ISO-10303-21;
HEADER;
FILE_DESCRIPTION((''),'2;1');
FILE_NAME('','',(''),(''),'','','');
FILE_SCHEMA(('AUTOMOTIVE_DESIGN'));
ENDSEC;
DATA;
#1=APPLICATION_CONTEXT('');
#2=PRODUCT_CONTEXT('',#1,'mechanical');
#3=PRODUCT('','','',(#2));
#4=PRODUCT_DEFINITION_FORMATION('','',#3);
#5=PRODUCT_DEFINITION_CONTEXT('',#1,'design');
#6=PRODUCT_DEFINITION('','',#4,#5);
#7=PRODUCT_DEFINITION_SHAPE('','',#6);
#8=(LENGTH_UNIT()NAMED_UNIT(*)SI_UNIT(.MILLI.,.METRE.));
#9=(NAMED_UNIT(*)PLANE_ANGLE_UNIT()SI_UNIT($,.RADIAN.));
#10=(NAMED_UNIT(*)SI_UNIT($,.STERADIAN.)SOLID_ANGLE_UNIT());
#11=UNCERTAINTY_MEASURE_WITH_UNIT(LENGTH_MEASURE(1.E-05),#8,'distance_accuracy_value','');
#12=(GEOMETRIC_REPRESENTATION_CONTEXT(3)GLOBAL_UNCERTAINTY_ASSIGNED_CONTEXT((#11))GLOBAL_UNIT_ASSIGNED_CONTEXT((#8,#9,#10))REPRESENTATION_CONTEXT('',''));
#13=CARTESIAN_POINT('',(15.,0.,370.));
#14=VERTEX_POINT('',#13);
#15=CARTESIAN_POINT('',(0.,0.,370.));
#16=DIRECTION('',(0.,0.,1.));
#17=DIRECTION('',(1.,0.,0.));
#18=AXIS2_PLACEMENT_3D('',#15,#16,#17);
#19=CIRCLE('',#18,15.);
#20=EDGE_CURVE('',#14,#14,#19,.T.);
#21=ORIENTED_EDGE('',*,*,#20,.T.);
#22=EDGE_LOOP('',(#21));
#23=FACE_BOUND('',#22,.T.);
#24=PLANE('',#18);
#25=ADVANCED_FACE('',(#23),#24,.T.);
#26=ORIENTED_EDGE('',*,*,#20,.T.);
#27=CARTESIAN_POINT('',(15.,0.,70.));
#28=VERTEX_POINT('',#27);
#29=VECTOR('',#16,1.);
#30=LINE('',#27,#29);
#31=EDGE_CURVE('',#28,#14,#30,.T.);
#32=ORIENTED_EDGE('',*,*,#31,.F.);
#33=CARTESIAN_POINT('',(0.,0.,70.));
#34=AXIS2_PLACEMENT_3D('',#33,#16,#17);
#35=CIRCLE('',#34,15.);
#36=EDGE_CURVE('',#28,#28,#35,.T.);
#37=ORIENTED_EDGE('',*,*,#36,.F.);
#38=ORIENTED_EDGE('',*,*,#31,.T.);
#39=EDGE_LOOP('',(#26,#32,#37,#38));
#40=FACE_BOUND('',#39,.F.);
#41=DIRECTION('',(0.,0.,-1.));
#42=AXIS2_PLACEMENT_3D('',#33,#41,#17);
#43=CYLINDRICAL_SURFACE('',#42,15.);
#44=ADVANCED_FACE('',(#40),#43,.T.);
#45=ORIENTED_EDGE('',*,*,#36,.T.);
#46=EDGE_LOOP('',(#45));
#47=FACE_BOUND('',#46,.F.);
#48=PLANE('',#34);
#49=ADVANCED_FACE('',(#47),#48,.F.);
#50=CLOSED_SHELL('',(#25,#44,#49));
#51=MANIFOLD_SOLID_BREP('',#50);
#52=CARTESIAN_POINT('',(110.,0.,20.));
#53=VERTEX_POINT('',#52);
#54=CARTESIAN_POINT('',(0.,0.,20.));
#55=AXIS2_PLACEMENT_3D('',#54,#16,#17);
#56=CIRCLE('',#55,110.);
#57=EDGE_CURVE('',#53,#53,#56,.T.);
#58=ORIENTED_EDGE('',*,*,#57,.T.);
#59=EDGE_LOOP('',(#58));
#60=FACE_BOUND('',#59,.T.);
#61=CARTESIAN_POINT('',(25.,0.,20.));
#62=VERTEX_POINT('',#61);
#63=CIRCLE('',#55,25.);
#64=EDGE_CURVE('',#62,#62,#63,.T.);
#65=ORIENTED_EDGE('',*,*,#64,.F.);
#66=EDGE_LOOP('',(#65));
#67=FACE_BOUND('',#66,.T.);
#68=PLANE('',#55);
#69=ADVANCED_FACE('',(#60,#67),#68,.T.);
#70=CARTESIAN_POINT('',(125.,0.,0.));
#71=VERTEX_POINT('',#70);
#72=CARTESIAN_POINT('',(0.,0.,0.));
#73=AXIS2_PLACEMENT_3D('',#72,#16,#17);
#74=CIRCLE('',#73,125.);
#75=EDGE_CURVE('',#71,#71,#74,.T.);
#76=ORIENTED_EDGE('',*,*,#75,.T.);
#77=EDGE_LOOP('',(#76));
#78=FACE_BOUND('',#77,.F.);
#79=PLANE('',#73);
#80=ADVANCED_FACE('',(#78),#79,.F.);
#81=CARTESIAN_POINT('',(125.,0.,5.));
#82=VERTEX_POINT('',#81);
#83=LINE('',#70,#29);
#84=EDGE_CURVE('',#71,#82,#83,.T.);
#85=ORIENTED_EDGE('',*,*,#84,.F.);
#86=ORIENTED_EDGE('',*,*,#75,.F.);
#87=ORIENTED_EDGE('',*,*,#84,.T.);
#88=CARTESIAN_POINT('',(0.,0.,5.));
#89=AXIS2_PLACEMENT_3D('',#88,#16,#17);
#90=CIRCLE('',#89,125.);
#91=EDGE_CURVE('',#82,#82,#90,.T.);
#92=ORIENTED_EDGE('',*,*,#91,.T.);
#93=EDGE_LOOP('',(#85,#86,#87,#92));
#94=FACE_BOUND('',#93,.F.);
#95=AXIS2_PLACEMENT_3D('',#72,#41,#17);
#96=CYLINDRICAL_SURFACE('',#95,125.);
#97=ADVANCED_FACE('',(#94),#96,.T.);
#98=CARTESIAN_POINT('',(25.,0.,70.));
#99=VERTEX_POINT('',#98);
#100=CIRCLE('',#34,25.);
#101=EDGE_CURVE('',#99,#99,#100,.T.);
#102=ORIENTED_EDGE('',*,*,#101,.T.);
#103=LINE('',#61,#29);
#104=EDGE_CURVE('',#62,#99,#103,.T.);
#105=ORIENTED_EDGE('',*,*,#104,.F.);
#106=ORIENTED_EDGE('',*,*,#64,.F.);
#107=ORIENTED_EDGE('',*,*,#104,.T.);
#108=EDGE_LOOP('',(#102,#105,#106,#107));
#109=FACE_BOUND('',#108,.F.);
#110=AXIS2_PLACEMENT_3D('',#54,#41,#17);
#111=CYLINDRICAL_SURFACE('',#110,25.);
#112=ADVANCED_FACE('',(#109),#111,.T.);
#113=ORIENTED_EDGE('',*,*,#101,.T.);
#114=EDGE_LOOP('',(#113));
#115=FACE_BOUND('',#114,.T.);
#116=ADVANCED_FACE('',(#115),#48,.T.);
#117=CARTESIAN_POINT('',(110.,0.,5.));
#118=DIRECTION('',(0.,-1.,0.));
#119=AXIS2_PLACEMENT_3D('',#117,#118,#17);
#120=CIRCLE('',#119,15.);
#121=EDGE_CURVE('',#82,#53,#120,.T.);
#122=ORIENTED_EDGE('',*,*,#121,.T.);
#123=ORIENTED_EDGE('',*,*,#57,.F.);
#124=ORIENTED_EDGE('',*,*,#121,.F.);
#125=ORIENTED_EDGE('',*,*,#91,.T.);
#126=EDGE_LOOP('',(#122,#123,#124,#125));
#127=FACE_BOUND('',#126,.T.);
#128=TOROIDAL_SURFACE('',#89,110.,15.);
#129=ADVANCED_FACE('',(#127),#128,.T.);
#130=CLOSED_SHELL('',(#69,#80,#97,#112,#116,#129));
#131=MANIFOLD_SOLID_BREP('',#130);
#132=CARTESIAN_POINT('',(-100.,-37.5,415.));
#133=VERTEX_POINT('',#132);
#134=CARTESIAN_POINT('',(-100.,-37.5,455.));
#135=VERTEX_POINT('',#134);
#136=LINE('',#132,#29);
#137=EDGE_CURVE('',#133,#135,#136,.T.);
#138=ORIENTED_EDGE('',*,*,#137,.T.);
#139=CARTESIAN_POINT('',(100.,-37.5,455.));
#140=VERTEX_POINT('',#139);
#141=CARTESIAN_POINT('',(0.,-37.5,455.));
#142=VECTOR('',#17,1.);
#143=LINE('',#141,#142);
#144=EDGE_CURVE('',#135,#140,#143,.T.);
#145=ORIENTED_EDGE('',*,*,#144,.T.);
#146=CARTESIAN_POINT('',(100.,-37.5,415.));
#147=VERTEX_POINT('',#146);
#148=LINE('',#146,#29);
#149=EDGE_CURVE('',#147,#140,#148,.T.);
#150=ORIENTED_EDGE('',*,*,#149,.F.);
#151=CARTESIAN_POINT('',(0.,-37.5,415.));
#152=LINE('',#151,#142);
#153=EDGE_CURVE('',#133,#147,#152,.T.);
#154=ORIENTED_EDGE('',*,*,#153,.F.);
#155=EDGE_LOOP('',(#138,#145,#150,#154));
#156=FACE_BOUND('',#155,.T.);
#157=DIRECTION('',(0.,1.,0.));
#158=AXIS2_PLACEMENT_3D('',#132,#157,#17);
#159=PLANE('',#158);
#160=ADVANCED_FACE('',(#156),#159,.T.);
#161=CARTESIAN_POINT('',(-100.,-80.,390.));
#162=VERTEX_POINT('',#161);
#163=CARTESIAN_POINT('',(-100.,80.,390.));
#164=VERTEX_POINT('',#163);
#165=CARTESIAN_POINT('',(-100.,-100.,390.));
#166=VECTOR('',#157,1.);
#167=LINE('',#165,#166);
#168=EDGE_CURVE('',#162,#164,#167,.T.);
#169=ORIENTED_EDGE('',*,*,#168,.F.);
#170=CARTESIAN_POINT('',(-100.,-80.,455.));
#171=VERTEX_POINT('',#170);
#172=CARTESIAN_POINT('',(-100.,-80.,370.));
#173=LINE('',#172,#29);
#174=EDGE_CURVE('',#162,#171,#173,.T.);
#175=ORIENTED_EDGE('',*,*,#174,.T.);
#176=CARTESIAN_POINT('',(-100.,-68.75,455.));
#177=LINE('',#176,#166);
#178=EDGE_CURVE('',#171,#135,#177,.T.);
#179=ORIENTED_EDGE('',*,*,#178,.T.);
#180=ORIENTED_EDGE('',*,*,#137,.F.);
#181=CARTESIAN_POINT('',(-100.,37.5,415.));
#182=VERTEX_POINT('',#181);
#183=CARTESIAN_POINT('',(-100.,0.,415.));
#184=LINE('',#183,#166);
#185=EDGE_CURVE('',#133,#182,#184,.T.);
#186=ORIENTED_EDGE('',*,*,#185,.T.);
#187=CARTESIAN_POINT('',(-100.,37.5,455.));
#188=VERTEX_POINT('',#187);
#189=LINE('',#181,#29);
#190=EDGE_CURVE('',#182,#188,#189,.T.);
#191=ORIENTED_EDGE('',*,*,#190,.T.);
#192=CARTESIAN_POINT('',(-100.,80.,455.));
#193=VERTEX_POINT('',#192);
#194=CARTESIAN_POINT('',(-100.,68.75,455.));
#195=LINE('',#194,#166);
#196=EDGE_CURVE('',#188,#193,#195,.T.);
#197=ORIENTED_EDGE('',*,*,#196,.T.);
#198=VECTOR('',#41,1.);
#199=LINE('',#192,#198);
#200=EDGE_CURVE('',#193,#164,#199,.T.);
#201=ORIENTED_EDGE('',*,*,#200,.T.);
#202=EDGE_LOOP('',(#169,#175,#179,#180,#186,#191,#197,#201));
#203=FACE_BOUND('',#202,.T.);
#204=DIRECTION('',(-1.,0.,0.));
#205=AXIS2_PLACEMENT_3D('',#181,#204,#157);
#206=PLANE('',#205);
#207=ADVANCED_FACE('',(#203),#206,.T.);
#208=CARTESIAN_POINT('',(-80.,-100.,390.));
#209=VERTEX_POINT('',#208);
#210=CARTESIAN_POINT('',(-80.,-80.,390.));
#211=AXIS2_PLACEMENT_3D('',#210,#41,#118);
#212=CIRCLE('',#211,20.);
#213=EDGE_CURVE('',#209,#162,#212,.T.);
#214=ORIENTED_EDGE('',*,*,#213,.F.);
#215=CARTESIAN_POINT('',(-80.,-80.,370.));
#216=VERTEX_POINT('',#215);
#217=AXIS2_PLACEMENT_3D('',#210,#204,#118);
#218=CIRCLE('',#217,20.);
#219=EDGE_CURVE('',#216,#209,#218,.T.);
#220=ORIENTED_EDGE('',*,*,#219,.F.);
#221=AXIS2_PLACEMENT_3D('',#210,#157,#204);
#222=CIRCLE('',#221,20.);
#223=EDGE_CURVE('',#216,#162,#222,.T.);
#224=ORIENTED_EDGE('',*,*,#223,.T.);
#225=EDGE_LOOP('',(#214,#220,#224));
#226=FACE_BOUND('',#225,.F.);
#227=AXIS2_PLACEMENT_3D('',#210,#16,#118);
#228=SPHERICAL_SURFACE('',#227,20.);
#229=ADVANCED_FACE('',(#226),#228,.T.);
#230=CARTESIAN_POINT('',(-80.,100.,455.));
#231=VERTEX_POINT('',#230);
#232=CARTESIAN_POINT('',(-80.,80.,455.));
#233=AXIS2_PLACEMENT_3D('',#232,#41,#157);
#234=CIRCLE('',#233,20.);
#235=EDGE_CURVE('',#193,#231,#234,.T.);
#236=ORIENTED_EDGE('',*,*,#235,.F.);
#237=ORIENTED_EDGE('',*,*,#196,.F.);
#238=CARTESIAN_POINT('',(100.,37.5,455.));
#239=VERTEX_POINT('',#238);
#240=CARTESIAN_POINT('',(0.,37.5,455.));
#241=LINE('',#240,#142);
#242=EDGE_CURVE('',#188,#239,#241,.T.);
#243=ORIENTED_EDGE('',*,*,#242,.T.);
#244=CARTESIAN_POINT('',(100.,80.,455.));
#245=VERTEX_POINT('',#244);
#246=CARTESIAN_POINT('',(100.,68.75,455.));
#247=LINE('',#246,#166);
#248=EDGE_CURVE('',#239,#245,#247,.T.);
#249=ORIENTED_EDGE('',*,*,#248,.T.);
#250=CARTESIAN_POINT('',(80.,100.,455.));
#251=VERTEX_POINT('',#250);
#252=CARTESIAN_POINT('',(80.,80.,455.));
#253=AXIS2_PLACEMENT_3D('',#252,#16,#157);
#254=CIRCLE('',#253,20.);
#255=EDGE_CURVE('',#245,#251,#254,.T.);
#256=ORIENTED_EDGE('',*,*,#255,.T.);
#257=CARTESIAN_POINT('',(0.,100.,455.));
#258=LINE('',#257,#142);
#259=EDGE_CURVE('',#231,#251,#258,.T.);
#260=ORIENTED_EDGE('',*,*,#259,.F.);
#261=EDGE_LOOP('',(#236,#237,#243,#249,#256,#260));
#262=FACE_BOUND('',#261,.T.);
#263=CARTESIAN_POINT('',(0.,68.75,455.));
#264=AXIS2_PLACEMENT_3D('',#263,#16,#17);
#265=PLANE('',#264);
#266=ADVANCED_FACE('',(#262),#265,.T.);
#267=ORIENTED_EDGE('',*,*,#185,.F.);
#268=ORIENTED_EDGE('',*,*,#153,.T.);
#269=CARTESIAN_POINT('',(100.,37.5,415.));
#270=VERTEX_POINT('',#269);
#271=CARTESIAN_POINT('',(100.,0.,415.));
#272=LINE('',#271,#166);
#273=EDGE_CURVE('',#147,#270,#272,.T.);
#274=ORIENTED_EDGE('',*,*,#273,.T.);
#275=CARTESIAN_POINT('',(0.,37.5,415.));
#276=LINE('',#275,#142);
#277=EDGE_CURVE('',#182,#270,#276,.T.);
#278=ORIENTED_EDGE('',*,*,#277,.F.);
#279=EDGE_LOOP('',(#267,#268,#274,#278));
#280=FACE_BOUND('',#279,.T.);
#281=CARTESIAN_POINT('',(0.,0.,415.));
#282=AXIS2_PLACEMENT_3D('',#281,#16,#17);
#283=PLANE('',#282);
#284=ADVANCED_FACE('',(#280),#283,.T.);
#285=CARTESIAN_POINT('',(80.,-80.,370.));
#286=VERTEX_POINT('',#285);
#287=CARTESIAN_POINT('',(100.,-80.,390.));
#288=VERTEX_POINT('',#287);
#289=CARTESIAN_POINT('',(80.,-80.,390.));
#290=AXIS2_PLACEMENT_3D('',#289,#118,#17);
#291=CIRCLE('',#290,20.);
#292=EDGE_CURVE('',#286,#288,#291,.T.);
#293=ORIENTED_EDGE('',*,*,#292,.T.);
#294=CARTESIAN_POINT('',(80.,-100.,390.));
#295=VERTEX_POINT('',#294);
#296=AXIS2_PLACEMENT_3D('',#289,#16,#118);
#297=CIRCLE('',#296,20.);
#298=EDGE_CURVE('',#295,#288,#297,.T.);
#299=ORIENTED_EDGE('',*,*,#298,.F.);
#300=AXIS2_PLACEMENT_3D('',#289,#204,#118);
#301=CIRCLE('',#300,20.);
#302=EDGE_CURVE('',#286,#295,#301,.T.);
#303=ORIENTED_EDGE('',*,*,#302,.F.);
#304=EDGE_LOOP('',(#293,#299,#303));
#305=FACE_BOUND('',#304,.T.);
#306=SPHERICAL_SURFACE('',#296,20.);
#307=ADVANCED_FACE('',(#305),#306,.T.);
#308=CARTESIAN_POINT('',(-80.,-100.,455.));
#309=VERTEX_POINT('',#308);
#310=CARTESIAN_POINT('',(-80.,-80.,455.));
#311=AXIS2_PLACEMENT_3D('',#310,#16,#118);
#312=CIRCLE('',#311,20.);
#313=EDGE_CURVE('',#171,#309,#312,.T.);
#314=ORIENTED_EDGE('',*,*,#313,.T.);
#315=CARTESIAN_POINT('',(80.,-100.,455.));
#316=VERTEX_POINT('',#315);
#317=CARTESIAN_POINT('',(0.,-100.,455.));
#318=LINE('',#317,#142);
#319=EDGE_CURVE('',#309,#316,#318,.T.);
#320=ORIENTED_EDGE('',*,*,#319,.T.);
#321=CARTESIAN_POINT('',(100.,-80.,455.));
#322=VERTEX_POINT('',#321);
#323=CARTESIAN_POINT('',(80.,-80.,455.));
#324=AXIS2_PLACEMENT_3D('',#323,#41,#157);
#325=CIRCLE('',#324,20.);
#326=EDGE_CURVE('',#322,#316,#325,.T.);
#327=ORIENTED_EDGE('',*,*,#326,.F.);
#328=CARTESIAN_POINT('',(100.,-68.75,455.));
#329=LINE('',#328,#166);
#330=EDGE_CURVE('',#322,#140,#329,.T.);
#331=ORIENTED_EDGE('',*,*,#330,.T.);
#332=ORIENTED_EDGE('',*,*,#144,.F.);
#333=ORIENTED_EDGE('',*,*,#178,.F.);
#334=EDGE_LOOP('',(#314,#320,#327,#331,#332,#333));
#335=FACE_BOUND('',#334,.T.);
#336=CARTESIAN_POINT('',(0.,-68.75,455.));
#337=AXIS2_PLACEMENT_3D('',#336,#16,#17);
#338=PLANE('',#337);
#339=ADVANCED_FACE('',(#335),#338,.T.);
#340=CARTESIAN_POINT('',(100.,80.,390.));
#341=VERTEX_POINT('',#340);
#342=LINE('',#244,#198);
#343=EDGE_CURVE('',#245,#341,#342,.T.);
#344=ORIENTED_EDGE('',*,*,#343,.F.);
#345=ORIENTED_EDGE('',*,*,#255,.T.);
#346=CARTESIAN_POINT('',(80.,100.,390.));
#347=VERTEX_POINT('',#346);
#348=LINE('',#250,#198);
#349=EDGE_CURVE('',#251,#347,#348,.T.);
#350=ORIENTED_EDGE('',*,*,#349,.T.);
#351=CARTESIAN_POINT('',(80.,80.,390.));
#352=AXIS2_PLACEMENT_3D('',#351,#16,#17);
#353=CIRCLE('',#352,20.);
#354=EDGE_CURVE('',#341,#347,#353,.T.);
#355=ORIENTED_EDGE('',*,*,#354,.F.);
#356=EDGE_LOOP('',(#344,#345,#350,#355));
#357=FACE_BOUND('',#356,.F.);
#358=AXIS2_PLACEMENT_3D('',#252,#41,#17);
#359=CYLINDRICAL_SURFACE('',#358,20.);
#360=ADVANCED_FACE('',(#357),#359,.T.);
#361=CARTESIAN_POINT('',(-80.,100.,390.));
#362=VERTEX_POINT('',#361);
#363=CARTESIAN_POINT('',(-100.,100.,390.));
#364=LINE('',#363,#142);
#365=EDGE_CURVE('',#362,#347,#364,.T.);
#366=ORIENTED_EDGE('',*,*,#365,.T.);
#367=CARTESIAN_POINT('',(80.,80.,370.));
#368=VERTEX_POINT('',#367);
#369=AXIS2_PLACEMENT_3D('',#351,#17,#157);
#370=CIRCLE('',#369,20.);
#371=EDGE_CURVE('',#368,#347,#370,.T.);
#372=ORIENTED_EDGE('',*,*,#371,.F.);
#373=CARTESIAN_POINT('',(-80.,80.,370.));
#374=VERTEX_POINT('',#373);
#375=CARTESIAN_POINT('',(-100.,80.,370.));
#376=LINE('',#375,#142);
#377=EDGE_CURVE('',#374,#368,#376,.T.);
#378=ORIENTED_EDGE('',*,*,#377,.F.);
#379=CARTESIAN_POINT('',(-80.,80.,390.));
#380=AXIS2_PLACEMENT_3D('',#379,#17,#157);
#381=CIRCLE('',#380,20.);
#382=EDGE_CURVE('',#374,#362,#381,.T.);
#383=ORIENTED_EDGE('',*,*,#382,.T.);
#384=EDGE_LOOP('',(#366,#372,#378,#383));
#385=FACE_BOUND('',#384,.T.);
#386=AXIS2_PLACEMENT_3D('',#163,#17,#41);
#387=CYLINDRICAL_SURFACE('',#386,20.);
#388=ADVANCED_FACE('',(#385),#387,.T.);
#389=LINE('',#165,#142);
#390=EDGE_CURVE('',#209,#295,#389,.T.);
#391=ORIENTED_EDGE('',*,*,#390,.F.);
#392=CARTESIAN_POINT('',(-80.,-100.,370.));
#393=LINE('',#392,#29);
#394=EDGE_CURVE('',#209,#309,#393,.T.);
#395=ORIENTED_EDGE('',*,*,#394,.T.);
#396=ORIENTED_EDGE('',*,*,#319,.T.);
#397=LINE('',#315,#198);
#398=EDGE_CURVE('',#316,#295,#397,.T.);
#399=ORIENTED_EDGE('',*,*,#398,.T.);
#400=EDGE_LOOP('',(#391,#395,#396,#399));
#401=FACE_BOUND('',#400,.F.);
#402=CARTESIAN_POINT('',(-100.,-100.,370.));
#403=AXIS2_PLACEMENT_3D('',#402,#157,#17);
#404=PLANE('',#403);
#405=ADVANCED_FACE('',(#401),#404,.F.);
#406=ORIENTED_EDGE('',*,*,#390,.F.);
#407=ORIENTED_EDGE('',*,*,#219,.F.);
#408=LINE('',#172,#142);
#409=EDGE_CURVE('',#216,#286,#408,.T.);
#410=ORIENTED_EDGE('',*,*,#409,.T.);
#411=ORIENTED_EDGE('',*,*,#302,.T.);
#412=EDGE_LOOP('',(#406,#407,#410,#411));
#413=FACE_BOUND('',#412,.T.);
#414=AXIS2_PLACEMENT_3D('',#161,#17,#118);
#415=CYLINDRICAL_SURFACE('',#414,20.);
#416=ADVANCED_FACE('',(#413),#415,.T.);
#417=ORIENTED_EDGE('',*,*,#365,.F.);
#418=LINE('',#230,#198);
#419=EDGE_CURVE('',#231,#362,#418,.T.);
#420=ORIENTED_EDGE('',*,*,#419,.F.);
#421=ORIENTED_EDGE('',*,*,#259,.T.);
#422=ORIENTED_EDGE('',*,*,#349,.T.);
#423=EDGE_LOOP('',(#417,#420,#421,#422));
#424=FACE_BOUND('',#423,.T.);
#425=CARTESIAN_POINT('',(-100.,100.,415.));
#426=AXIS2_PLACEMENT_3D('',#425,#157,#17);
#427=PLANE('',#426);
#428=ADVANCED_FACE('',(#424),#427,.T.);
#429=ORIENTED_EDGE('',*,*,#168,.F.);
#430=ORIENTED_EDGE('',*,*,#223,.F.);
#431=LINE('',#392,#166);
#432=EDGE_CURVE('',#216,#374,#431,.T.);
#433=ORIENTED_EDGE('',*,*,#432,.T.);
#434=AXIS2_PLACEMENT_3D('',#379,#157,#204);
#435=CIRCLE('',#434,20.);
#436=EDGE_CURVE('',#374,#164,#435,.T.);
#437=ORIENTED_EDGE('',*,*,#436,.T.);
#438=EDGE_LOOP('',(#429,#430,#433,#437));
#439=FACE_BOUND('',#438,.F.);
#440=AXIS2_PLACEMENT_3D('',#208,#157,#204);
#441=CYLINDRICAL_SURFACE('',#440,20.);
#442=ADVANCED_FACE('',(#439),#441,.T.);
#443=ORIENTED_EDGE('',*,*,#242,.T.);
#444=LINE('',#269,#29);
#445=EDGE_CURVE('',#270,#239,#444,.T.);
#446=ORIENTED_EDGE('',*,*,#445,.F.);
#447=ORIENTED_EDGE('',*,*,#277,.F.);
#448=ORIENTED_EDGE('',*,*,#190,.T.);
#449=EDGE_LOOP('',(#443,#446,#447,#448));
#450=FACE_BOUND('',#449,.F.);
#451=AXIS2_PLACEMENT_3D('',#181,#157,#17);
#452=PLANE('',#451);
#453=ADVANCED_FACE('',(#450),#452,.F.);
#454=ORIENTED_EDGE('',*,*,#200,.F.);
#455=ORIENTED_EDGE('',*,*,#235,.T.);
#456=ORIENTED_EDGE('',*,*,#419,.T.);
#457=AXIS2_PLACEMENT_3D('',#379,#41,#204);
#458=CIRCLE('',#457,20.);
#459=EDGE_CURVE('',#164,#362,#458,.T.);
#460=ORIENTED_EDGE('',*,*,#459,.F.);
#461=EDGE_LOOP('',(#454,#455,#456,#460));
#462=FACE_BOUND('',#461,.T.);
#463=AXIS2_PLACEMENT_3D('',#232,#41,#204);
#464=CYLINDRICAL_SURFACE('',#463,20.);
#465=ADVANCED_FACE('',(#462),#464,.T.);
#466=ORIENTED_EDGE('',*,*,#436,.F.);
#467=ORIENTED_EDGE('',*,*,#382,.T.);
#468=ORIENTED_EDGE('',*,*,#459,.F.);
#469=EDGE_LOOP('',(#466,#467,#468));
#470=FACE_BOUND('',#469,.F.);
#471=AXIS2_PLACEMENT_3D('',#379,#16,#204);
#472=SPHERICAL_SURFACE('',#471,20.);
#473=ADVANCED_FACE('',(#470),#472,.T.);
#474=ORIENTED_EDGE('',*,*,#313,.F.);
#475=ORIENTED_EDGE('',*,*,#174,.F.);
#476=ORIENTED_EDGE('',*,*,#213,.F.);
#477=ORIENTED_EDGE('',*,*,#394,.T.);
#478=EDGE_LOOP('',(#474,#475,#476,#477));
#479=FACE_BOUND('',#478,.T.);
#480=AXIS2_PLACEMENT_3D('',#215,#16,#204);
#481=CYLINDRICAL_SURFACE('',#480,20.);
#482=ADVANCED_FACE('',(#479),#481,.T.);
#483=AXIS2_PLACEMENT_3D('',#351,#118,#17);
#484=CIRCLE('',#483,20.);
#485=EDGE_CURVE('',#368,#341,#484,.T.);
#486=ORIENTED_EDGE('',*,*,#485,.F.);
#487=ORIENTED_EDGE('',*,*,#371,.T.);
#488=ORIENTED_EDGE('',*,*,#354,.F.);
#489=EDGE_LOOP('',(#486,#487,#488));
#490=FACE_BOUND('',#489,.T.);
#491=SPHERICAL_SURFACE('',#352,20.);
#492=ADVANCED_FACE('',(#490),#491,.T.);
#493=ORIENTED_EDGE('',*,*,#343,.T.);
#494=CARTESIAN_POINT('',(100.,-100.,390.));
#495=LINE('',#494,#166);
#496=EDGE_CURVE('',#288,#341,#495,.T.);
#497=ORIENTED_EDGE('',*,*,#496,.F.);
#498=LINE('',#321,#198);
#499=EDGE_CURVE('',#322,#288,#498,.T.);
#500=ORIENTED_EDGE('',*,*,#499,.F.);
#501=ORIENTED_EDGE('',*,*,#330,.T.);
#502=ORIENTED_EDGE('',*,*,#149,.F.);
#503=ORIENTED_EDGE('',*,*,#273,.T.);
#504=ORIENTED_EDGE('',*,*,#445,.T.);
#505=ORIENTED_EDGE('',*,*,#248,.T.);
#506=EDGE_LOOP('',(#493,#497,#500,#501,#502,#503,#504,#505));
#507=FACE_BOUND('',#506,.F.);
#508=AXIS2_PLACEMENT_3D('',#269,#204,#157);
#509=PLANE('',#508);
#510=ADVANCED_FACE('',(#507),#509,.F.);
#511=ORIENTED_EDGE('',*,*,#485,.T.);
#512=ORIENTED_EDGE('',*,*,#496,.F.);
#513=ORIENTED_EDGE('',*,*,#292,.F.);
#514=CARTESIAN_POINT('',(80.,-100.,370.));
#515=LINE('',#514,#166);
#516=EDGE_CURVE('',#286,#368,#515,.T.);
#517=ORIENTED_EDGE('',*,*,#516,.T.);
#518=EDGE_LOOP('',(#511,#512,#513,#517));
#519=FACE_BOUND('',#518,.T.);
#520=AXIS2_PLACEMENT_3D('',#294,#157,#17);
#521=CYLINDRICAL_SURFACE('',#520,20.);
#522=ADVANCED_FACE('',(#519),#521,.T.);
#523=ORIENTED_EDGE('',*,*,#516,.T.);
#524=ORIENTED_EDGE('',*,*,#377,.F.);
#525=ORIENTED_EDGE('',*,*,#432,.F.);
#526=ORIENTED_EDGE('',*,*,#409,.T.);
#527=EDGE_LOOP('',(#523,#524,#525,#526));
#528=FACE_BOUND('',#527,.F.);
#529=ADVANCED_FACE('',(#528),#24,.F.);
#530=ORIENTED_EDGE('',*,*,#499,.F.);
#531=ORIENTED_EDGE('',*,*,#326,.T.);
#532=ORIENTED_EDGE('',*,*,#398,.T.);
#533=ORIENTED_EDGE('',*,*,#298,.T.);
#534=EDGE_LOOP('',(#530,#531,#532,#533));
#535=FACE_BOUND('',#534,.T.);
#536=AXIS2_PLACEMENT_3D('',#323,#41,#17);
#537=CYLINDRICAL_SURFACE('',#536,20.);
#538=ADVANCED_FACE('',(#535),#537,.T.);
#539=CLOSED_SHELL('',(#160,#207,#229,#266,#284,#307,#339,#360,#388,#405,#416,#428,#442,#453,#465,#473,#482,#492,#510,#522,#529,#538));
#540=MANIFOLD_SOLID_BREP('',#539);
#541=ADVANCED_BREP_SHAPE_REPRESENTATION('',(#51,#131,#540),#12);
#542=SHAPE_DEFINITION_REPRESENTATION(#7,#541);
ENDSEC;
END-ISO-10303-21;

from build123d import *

# Parameters (mm, degrees)
SKETCH_R     = 125
PAD_DEPTH    = 20
SKETCH001_R  = 25
PAD001_DEPTH = 50
FILLET006_R  = 15
SKETCH002_R  = 15
PAD002_DEPTH = 300
SKETCH003_W  = 200
SKETCH003_H  = 200
PAD003_DEPTH = 45
SKETCH009_W  = 200
SKETCH009_H  = 62.5
PAD009_DEPTH = 40
FILLET005_R  = 20


with BuildPart() as body1:
    # Sketch → Pad (new body)
    with BuildSketch(Plane.XY):
        Circle(SKETCH_R)
    extrude(amount=PAD_DEPTH)

    # Sketch001 (on Face3 of Pad) → Pad001 (join)
    with BuildSketch(Plane.XY.offset(20)):
        Circle(SKETCH001_R)
    extrude(amount=PAD001_DEPTH)

    # Fillet006
    fillet006_edges = [body1.edges().sort_by_distance(p)[0] for p in [
        (-125, 0, 20),
    ]]
    fillet(fillet006_edges, radius=FILLET006_R)


with BuildPart() as body2:
    # Sketch002 (on CopyPad) → Pad002 (new body)
    with BuildSketch(Plane.XY.offset(70)):
        Circle(SKETCH002_R)
    extrude(amount=PAD002_DEPTH)


with BuildPart() as body3:
    # Sketch003 (on Face1 of CopyPad002) → Pad003 (new body)
    with BuildSketch(Plane.XY.offset(370)):
        Rectangle(SKETCH003_W, SKETCH003_H)
    extrude(amount=PAD003_DEPTH)

    # Sketch009 (on Face6 of Pad003) → Pad009 (join)
    with BuildSketch(Plane.XY.offset(415)):
        with Locations((0, 68.75)):
            Rectangle(SKETCH009_W, SKETCH009_H)
        with Locations((0, -68.75)):
            Rectangle(SKETCH009_W, SKETCH009_H)
    extrude(amount=PAD009_DEPTH)

    # Fillet005
    fillet005_edges = [body3.edges().sort_by_distance(p)[0] for p in [
        (-100, -100, 412.5),
        (100, -100, 412.5),
        (100, 100, 412.5),
        (-100, 100, 412.5),
        (0, -100, 370),
        (100, 0, 370),
        (-100, 0, 370),
        (0, 100, 370),
    ]]
    fillet(fillet005_edges, radius=FILLET005_R)


solid = Compound([body1.part, body2.part, body3.part])
